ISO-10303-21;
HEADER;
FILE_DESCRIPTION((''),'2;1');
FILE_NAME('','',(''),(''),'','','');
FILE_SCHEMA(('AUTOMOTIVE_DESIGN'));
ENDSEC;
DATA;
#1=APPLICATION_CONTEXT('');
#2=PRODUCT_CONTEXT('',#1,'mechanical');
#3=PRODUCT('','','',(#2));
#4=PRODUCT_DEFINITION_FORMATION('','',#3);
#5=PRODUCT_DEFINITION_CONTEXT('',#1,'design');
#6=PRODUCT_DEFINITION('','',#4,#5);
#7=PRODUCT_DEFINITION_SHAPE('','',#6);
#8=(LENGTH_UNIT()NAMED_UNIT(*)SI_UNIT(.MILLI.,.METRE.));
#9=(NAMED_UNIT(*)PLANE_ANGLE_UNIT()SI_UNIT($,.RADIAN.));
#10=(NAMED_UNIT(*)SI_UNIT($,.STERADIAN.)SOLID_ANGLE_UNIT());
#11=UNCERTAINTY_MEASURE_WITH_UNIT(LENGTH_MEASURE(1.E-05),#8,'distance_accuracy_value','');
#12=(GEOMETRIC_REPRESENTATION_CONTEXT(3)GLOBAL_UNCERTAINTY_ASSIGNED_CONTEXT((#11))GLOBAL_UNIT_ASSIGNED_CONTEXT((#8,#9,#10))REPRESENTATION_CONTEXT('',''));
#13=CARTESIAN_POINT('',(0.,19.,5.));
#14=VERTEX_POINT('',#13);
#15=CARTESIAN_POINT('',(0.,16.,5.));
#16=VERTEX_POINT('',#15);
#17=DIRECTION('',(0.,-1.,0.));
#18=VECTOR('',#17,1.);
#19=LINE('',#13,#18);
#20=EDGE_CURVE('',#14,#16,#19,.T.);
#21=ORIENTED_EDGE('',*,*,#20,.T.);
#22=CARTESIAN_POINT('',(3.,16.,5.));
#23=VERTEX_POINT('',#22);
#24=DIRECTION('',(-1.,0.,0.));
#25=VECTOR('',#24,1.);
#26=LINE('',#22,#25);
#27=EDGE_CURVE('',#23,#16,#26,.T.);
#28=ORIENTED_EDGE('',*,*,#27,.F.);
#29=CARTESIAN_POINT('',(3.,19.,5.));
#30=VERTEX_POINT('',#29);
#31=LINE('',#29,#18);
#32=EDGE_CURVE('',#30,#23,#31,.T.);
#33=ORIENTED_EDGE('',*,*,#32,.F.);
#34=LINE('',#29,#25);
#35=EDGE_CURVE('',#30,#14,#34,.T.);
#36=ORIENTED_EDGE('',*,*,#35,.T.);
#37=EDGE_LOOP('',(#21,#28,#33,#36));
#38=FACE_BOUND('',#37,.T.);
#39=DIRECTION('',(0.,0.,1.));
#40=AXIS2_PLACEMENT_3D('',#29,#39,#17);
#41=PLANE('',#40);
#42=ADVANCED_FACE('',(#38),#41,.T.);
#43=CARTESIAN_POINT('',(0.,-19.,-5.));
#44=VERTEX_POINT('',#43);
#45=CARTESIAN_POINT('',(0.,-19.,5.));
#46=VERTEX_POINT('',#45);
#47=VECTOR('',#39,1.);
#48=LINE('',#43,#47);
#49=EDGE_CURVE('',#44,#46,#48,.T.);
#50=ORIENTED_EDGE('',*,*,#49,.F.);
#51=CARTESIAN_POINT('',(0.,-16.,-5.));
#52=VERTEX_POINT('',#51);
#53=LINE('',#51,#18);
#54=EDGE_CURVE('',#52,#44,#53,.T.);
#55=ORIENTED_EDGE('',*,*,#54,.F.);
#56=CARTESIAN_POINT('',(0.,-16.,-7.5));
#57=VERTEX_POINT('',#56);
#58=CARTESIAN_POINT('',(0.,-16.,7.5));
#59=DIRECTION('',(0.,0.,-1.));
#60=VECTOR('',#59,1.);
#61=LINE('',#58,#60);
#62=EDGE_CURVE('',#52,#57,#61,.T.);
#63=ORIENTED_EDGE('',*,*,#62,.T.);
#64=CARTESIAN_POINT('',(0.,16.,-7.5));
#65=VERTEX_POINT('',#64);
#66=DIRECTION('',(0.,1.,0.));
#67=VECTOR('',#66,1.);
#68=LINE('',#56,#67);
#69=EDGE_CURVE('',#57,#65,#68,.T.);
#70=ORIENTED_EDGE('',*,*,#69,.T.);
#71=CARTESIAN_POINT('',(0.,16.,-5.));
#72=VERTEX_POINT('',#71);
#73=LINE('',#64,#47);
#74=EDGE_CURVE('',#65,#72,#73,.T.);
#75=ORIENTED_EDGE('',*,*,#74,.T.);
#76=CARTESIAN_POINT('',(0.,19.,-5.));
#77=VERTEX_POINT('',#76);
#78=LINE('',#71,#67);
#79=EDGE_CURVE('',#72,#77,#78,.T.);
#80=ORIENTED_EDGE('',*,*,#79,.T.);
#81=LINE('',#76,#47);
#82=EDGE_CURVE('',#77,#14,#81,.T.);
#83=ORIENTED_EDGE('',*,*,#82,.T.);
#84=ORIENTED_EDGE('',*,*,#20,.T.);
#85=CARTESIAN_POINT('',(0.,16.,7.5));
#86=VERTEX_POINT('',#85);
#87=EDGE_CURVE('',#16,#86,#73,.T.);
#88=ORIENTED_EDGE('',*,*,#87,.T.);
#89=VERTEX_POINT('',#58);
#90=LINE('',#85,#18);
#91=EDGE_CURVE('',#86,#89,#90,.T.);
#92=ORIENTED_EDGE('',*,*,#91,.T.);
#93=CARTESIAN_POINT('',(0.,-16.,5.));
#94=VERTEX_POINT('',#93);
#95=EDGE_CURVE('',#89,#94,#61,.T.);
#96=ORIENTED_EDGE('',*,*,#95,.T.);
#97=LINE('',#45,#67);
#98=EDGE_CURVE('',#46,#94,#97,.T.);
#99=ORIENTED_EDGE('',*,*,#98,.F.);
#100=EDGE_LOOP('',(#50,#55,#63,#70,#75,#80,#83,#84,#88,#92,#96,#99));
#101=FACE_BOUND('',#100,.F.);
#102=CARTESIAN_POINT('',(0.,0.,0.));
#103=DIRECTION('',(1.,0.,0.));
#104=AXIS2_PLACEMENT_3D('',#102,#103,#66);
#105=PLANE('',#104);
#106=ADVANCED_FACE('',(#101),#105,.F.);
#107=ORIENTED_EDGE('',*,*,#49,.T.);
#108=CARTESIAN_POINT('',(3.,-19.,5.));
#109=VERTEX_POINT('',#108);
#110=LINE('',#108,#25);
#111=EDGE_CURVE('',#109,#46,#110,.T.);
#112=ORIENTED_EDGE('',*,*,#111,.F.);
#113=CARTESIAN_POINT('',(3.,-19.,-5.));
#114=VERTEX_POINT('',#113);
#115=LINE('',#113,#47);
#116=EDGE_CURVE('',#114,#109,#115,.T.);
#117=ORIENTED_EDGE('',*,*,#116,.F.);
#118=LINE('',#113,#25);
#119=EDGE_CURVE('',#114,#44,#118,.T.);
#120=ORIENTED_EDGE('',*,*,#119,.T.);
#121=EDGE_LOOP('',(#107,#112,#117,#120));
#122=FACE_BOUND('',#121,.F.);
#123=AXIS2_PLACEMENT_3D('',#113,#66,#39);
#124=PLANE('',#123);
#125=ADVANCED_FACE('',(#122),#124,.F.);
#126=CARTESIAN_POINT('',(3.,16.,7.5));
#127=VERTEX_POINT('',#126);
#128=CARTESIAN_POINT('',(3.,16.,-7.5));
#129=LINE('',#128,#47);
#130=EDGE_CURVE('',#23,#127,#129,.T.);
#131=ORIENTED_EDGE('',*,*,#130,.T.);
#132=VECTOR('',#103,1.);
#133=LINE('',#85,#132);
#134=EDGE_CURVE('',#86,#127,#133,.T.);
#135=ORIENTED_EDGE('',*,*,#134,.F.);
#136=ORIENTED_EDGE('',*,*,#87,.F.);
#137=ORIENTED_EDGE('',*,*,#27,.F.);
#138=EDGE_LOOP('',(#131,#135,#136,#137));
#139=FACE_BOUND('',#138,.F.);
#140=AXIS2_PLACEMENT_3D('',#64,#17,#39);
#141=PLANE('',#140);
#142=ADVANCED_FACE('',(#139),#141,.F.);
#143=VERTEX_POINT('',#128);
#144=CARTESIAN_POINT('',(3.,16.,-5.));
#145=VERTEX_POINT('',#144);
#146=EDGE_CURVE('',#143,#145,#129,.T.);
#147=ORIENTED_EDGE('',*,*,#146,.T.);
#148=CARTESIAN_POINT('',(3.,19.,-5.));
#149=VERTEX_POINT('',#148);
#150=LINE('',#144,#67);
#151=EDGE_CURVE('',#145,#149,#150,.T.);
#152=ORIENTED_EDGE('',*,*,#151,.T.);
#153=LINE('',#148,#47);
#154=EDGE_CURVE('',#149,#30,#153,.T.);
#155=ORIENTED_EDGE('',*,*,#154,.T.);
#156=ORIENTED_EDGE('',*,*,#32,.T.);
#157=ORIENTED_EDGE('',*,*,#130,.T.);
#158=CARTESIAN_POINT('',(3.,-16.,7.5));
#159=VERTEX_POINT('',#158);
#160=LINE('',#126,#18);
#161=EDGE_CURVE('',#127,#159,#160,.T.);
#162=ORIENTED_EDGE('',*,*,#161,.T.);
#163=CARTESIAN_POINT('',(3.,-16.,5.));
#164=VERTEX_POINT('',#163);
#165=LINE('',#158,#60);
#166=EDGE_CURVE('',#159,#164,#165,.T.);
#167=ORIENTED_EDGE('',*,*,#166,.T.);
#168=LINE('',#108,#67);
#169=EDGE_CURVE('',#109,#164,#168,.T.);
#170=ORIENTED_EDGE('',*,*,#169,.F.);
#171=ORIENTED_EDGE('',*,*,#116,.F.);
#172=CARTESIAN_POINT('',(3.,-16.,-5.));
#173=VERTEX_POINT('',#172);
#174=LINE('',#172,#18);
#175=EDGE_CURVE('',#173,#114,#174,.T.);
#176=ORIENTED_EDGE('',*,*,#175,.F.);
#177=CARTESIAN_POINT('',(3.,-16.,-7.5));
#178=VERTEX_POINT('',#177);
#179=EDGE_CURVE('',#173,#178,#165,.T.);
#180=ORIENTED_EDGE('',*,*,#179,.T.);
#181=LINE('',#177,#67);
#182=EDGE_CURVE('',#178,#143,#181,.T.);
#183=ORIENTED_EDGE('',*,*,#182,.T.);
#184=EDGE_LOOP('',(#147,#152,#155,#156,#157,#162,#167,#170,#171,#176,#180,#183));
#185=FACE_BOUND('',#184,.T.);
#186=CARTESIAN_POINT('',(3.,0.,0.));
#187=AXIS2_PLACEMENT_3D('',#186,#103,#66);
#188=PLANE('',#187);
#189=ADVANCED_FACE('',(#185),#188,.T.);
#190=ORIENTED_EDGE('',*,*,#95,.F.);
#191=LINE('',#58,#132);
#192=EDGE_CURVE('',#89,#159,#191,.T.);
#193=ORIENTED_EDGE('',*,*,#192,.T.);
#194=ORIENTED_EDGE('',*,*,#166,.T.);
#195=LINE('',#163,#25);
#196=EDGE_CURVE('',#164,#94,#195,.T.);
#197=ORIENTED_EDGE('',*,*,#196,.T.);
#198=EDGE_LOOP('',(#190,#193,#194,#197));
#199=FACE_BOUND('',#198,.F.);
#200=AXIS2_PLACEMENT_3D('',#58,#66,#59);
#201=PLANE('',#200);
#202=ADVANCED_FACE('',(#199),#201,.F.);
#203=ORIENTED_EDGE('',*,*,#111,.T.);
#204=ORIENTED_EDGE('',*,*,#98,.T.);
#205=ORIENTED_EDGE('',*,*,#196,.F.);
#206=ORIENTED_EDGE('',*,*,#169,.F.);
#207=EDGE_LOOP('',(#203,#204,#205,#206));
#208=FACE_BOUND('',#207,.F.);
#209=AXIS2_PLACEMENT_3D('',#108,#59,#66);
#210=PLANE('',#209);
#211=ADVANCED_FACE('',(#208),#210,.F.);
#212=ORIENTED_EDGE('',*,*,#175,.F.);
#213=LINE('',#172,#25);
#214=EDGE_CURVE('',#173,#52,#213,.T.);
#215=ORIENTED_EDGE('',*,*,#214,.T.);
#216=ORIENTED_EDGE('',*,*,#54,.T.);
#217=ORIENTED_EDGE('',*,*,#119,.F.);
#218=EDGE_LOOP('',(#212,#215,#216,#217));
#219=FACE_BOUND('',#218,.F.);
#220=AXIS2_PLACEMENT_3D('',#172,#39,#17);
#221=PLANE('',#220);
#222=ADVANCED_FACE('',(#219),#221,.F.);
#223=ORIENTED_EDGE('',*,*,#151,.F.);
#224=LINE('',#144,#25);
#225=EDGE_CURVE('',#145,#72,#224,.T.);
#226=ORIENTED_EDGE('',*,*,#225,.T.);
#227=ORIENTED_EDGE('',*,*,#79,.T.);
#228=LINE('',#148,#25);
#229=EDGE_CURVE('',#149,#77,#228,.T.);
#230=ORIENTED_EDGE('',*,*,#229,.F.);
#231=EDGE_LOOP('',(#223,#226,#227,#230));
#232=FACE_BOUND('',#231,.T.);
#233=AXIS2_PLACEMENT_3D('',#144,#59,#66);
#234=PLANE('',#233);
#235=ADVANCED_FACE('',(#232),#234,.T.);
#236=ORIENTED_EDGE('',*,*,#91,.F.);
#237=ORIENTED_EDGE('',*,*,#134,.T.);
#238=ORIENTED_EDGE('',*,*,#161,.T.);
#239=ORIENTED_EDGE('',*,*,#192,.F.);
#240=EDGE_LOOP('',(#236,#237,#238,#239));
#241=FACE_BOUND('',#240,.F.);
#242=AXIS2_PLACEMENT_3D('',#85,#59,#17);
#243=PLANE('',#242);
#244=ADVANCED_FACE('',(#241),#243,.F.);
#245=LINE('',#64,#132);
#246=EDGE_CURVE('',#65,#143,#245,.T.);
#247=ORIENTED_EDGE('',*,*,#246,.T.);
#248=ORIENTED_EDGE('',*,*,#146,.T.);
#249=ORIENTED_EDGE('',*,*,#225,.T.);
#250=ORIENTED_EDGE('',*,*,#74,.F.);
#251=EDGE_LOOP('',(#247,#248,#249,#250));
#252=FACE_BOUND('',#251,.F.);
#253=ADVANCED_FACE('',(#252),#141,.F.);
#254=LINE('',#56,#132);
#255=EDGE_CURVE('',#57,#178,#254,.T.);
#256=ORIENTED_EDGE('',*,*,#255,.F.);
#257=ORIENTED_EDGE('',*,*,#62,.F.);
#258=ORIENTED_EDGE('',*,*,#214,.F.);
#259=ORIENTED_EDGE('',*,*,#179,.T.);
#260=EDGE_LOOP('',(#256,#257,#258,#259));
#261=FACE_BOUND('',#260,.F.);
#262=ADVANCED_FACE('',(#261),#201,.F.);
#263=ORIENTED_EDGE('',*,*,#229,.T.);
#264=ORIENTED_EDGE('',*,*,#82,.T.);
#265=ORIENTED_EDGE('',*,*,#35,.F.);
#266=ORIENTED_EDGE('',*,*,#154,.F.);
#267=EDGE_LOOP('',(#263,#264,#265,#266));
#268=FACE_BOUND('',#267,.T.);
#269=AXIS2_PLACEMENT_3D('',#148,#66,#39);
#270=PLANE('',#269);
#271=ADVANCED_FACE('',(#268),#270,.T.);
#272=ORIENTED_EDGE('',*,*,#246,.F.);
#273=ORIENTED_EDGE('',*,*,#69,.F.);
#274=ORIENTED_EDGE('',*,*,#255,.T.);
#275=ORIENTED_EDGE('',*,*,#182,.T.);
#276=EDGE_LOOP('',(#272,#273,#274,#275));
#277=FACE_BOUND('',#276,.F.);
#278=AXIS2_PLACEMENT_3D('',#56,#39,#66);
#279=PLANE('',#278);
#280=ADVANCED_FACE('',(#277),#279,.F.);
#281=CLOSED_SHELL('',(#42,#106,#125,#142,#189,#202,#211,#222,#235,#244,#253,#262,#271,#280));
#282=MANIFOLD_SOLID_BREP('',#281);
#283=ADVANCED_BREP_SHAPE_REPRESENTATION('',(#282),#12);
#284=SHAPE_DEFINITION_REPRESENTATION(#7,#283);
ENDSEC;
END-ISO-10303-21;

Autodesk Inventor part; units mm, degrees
ref_plane "YZ Plane" through (0, 0, 0) normal (1, 0, 0) x (0, 1, 0)
ref_plane "XZ Plane" through (0, 0, 0) normal (0, 1, 0) x (-1, 0, 0)
ref_plane "XY Plane" through (0, 0, 0) normal (0, 0, 1) x (1, 0, 0)
sketch "Sketch1" plane through (0, 0, 0) normal (1, 0, 0) x (0, 1, 0)
  line L0 (-16, -7.5) -> (16, -7.5)
  line L1 (16, -7.5) -> (16, 7.5)
  line L2 (16, 7.5) -> (-16, 7.5)
  line L3 (-16, 7.5) -> (-16, -7.5)
  line L4 (-16, -7.5) -> (16, 7.5) construction
  line L5 (16, -7.5) -> (-16, 7.5) construction
  point P0 (0, 0)
  dimension "d0" = 32
  dimension "d1" = 15
extrude "Extrusion1" add sketch "Sketch1" along normal blind 3
sketch "Sketch2" plane through (3, 0, 0) normal (1, 0, 0) x (0, 0, -1)
  line L0 (7.5, 16) -> (-7.5, 16) projected
  line L1 (-5, 16) -> (5, 16)
  line L2 (5, 16) -> (5, 19)
  line L3 (5, 19) -> (-5, 19)
  line L4 (-5, 19) -> (-5, 16)
  line L5 (-5, -16) -> (5, -16)
  line L6 (5, -16) -> (5, -19)
  line L7 (5, -19) -> (-5, -19)
  line L8 (-5, -19) -> (-5, -16)
  line L9 (-7.5, -16) -> (7.5, -16) projected
  point P0 (0, 0)
  point P1 (0, 19)
  dimension "d4" = 10
  dimension "d5" = 3
  dimension "d6" = 10
  dimension "d7" = 3
extrude "Extrusion2" add sketch "Sketch2" against normal blind 3
properties part number "Mid rib support"
